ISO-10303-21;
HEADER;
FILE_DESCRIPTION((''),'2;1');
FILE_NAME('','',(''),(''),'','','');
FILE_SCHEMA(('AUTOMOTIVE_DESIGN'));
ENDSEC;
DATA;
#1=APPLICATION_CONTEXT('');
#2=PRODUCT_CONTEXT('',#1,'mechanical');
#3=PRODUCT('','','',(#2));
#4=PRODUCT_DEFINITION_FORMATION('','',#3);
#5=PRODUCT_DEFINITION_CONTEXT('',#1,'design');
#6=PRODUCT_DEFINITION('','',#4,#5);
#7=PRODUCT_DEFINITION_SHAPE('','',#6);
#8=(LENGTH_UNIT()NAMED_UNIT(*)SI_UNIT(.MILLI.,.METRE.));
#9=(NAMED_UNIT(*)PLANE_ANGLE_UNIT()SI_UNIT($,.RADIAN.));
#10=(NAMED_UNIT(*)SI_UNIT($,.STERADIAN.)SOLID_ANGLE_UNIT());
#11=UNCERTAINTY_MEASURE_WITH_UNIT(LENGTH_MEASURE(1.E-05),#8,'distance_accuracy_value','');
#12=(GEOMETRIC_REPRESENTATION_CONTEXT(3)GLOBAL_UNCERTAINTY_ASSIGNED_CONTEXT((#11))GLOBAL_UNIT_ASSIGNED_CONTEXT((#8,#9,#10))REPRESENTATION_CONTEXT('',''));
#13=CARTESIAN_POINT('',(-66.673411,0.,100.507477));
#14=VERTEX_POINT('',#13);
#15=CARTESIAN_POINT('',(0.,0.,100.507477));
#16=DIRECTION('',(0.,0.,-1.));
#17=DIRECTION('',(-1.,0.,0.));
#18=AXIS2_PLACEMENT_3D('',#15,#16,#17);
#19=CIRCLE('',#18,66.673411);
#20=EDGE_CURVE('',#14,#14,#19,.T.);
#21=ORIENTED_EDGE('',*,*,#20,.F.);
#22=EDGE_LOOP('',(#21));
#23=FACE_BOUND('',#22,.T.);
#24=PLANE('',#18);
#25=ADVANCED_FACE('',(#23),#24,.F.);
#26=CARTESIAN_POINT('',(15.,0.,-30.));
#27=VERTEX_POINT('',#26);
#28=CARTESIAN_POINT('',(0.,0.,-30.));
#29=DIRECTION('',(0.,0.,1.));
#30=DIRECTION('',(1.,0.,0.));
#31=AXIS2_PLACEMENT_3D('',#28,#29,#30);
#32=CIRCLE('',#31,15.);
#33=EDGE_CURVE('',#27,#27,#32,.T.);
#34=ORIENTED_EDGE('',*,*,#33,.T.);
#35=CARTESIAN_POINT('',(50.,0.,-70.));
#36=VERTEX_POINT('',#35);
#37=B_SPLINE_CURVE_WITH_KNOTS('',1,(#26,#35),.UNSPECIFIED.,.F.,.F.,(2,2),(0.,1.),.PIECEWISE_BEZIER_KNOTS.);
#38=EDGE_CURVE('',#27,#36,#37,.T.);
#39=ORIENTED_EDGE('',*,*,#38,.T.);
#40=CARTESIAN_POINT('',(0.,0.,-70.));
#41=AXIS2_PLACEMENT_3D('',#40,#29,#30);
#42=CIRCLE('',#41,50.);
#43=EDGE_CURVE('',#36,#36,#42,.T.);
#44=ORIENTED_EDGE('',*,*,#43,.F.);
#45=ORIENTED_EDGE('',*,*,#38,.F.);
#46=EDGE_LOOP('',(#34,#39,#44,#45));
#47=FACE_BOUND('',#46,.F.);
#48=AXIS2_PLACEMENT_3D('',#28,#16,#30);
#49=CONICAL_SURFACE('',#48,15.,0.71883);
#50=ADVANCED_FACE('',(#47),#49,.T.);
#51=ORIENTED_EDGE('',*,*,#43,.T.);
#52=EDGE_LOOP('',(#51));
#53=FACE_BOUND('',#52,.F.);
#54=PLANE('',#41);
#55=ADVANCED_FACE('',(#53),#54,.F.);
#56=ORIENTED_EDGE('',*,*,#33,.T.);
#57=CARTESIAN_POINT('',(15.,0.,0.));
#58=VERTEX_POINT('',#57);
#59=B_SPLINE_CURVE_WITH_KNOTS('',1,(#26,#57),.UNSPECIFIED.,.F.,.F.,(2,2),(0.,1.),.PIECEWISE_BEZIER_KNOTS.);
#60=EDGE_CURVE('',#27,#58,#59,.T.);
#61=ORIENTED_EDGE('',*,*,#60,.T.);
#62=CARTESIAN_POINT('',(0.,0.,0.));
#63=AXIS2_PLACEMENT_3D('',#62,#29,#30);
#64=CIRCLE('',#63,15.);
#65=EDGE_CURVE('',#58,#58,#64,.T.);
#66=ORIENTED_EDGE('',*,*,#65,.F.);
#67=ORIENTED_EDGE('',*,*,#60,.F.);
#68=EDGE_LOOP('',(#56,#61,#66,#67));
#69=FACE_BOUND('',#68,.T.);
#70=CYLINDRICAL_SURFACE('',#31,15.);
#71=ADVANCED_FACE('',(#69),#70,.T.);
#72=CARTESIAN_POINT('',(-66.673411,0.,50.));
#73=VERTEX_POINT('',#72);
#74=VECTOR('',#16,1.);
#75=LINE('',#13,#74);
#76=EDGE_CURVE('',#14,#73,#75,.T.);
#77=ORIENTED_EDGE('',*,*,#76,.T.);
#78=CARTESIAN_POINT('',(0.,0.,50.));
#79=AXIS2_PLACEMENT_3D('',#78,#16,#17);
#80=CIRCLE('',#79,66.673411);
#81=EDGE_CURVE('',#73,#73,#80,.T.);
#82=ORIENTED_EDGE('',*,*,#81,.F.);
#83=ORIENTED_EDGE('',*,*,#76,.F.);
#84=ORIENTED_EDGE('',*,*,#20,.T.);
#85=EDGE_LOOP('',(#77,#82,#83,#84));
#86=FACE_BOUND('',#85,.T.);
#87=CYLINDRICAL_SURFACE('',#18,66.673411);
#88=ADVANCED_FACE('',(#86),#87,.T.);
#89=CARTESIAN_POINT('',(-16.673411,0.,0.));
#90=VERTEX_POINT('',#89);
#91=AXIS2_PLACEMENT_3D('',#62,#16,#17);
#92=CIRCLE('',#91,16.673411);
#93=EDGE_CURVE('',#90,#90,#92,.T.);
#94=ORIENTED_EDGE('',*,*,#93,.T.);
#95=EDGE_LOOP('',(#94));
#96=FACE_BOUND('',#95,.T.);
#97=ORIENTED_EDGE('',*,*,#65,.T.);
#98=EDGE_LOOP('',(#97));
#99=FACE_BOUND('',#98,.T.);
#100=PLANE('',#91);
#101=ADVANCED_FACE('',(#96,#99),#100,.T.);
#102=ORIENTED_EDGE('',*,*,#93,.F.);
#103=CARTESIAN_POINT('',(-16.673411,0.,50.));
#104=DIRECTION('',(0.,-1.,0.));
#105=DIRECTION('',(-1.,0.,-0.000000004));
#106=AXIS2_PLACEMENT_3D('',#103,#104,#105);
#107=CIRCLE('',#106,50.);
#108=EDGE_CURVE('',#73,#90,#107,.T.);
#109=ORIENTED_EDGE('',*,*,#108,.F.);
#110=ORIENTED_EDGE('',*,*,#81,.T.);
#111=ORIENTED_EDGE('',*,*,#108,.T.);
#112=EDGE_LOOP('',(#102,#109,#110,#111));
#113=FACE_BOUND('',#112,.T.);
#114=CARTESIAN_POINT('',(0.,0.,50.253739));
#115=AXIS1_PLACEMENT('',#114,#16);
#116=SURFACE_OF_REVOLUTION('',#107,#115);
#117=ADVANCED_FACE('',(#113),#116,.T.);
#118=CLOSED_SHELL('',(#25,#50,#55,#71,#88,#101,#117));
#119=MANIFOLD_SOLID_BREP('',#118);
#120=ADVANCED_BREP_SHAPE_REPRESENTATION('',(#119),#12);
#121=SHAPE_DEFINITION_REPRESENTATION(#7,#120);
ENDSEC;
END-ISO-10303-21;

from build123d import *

# Parameters (mm, degrees)
F3_R      = 15
F1_R      = 50
F4_FACE_R = 15
F6_R      = 15


with BuildPart() as f4:
    # F3 (on offset) → F4 section 0
    with BuildSketch(Plane.XY.offset(-30)):
        Circle(F3_R)
    # F1 (on offset) → F4 section 1
    with BuildSketch(Plane.XY.offset(-70)):
        Circle(F1_R)
    loft()

    # F4_face (on face) → F7 section 0
    with BuildSketch(Plane.XY.offset(-30)):
        Circle(F4_FACE_R)
    # F6 (on offset) → F7 section 1
    with BuildSketch(Plane.XY):
        Circle(F6_R)
    loft()

    # F8 (on Front) → F9 (revolve)
    with BuildSketch(Plane.XZ):
        with BuildLine():
            Line((0, 0), (0, 100.507477))
            Line((0, 100.507477), (-66.673411, 100.507477))
            Line((-66.673411, 100.507477), (-66.673411, 50))
            ThreePointArc((-66.673411, 50), (-52.02875, 14.644661), (-16.673411, 0))
            Line((-16.673411, 0), (0, 0))
        make_face()
    revolve(axis=Axis((0, 0, 50.253739), (0, 0, -1)))


solid = f4.part
